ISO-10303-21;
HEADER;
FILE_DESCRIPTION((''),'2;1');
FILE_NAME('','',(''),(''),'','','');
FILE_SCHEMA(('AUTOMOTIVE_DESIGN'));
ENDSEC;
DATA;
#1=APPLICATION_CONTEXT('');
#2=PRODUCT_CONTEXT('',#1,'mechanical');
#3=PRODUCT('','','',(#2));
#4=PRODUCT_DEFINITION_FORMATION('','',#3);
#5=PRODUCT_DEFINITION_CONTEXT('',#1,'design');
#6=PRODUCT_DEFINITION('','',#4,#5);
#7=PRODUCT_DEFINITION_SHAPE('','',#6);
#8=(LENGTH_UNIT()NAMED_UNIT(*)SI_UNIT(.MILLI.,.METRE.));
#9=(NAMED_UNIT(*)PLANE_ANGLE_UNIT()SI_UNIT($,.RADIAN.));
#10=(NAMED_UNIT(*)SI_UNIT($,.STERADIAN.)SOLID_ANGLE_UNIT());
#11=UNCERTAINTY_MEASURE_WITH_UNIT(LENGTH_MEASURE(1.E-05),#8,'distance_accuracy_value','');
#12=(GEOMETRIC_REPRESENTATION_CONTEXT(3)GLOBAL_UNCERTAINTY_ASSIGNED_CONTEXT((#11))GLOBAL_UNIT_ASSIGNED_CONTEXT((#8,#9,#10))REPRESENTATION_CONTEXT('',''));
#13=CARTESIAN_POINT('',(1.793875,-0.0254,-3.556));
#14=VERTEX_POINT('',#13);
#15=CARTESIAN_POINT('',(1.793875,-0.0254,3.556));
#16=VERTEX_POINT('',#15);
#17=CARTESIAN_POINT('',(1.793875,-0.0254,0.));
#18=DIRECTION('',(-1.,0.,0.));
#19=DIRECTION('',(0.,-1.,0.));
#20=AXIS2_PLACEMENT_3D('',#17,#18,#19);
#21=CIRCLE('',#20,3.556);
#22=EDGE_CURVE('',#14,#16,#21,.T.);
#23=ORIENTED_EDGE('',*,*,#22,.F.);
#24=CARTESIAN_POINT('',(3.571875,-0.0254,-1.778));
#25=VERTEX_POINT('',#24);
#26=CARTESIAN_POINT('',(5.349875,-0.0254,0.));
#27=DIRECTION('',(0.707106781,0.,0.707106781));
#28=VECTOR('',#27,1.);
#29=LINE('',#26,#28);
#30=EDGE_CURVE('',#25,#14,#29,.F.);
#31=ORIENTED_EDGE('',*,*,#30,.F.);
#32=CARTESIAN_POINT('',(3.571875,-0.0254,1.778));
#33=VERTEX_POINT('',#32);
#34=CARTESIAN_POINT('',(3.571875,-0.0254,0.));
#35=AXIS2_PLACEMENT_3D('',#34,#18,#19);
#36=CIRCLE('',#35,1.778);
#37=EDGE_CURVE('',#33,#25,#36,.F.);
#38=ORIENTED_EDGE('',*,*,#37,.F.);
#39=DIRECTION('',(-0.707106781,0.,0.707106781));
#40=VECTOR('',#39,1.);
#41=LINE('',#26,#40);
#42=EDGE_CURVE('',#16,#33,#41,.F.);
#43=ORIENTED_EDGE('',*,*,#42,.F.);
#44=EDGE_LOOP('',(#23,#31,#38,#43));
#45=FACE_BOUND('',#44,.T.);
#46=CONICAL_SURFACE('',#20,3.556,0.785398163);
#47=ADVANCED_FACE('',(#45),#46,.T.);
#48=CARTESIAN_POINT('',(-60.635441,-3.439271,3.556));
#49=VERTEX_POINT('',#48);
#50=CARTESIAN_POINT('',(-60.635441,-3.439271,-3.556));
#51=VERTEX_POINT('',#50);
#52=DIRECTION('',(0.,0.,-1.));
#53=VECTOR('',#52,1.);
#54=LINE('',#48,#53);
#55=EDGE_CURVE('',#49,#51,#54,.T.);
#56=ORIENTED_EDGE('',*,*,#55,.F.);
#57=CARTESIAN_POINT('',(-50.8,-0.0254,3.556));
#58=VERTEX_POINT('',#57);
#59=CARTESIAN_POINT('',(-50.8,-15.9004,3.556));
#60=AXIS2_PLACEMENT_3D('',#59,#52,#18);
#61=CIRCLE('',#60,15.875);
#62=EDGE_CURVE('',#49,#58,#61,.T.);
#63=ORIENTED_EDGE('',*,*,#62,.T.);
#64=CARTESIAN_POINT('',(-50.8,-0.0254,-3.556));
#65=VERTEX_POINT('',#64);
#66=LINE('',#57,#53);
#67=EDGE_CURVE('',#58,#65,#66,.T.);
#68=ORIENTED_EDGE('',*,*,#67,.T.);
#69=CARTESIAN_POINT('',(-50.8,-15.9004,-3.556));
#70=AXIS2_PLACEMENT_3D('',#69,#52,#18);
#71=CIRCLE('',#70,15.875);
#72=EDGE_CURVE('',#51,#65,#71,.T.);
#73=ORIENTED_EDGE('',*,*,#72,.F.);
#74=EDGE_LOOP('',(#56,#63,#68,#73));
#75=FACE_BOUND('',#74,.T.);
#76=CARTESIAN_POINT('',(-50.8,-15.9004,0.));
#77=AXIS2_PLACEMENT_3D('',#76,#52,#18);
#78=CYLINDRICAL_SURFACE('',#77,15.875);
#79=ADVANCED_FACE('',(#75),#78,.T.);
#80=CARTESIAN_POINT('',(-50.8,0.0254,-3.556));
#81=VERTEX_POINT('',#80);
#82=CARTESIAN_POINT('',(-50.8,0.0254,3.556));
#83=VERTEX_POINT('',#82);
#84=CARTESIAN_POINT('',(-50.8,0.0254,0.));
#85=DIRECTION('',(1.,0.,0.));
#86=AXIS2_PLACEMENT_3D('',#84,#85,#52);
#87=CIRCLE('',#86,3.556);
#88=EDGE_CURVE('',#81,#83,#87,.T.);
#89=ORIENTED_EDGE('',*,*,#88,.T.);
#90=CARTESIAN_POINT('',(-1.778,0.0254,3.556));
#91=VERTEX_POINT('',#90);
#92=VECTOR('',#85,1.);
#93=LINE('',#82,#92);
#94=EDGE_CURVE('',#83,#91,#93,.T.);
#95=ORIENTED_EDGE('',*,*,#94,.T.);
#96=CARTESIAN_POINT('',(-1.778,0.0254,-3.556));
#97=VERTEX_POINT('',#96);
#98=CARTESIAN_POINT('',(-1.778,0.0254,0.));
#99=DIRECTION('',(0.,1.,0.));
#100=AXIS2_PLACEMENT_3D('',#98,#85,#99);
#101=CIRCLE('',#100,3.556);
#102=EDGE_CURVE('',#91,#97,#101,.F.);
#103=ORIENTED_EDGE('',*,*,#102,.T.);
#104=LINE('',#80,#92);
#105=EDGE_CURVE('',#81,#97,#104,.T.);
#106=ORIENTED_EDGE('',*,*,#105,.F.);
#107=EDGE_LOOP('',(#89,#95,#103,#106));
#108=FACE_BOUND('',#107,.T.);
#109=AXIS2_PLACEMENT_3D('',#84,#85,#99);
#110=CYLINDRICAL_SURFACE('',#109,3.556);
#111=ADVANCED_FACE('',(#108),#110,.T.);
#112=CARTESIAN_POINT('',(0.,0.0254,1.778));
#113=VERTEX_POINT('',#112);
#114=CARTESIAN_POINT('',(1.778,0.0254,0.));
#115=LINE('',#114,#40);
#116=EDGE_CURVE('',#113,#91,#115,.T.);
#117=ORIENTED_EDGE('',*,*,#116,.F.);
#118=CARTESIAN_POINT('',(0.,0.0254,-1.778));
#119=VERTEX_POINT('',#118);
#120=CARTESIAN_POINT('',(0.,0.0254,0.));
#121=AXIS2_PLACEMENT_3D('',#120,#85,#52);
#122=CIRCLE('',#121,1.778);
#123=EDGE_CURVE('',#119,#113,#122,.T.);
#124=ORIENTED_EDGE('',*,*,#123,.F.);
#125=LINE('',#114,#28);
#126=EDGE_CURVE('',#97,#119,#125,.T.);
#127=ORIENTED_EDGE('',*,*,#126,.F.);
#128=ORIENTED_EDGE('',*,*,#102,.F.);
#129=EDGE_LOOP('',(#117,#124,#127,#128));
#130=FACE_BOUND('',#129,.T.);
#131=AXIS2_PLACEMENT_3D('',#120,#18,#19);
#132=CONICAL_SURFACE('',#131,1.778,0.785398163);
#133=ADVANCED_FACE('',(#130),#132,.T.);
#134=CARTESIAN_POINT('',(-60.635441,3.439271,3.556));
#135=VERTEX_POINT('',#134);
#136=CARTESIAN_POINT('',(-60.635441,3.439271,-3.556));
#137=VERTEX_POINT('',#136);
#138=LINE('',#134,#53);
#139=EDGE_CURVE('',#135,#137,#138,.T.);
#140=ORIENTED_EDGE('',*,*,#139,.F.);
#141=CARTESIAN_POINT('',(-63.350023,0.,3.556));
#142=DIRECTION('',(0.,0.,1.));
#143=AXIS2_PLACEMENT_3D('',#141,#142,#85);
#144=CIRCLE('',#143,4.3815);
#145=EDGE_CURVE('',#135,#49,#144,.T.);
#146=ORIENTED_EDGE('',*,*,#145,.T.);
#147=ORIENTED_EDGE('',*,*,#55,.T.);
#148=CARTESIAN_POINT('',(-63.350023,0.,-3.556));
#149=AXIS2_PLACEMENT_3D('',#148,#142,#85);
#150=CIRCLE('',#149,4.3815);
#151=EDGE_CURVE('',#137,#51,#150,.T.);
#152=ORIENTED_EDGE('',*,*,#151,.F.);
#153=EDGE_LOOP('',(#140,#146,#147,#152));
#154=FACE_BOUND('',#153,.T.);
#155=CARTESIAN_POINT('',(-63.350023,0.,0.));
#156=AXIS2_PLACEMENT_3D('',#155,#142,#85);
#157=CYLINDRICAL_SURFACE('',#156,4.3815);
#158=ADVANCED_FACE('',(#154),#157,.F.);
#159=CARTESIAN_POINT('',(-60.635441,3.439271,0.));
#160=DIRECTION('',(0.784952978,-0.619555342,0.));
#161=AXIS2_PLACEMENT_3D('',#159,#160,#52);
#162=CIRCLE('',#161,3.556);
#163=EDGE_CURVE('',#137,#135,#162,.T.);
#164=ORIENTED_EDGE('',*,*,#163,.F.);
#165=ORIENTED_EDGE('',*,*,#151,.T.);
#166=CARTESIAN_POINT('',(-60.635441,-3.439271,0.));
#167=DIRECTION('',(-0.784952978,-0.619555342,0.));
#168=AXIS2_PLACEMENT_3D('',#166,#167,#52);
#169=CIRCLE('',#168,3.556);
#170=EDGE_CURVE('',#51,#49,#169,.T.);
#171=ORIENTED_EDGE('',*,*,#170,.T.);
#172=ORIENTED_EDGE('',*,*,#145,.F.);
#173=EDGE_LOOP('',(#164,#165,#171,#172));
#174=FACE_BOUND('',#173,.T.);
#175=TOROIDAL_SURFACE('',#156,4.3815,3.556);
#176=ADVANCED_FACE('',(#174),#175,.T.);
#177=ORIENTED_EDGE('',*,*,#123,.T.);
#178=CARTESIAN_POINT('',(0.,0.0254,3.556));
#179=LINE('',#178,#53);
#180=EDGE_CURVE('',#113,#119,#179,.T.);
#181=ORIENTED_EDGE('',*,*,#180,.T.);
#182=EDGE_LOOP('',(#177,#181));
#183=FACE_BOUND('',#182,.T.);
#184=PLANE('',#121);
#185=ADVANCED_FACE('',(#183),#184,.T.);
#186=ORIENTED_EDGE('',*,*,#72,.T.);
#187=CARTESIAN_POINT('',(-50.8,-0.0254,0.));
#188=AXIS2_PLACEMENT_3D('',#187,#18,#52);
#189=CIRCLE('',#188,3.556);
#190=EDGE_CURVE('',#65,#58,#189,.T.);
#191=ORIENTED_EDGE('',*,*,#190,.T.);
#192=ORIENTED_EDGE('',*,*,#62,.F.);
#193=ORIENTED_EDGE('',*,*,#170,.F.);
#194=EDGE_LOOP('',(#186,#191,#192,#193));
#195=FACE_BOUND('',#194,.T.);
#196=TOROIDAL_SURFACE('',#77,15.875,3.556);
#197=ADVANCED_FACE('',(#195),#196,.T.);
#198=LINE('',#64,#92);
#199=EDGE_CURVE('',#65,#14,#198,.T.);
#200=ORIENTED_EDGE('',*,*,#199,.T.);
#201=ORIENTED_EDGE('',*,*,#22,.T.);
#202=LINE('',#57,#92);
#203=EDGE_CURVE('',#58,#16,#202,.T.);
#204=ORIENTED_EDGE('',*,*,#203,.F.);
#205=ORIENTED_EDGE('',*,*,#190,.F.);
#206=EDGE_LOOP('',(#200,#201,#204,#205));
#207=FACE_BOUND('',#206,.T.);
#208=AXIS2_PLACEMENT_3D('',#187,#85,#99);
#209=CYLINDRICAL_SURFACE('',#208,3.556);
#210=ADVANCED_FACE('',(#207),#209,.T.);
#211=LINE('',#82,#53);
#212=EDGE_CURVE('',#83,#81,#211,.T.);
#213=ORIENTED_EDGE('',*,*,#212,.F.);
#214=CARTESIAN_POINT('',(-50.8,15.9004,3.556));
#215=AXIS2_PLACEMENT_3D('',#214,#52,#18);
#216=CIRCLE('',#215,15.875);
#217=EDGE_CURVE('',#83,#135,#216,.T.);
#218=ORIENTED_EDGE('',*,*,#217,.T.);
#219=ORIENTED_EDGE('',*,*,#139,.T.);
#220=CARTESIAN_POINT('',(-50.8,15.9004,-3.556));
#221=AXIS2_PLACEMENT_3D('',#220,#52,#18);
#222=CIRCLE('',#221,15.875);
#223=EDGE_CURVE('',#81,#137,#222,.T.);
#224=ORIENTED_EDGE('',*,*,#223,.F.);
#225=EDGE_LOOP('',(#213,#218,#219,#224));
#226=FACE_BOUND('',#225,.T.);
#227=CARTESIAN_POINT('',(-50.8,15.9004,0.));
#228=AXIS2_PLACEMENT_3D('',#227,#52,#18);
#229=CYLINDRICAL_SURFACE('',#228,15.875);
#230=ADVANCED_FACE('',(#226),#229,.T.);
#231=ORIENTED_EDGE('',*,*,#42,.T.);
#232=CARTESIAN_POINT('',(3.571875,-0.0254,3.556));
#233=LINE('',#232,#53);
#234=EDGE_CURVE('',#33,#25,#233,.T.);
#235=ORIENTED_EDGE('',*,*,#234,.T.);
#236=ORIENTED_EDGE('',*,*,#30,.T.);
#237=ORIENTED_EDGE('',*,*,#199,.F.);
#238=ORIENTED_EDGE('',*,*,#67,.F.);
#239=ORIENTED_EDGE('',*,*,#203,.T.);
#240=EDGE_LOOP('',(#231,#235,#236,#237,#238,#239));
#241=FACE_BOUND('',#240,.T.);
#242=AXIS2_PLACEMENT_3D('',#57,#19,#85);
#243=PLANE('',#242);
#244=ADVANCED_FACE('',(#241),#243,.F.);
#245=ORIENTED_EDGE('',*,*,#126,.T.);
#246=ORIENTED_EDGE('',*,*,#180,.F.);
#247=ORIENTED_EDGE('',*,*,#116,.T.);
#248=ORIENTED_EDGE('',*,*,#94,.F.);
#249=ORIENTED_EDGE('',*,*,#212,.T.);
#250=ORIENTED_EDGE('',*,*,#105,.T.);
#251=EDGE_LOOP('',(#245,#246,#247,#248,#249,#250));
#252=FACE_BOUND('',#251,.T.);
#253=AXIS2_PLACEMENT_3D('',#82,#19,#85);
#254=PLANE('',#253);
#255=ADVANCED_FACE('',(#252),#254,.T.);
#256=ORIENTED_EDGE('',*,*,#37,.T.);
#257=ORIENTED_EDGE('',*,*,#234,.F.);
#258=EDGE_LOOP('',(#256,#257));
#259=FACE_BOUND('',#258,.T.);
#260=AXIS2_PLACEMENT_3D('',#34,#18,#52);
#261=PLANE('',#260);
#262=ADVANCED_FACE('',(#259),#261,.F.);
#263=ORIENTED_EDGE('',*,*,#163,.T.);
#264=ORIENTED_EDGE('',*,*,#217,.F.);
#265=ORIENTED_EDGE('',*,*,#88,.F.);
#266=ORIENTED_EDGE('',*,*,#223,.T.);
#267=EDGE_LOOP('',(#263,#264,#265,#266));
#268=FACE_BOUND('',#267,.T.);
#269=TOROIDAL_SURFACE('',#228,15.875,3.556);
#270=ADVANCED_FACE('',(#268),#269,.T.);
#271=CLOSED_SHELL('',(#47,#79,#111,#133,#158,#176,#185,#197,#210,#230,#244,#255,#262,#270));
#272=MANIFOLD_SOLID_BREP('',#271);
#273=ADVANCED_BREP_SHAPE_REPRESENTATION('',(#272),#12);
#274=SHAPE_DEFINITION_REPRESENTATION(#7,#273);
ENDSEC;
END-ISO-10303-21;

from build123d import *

# Parameters (mm, degrees)
CHAMFER1_SIZE = 1.778


with BuildPart() as part:
    # Sweep1: sweep along a path in Sketch1
    with BuildLine(Plane.XY) as sweep1_path:
        Line((3.571875, -0.0254), (-50.8, -0.0254))
        ThreePointArc((-50.8, -0.0254), (-56.005535978, -0.90313291), (-60.63544106, -3.439271473))
        ThreePointArc((-60.63544106, -3.439271473), (-67.731522792, 0), (-60.63544106, 3.439271473))
        ThreePointArc((-60.63544106, 3.439271473), (-56.005535978, 0.90313291), (-50.8, 0.0254))
        Line((-50.8, 0.0254), (0, 0.0254))
    # Sketch2 → Sweep1 (sweep)
    with BuildSketch(Plane(origin=(0, 0, 0), x_dir=(0, 0, -1), z_dir=(1, 0, 0))):
        with BuildLine():
            Line((-3.556, 0.0254), (3.556, 0.0254))
            ThreePointArc((3.556, 0.0254), (0, 3.5814), (-3.556, 0.0254))
        make_face()
    sweep(path=sweep1_path.line)

    # Chamfer1
    chamfer1_edges = [part.edges().sort_by_distance(p)[0] for p in [
        (3.571875, -3.5814, 0),
        (0, 3.5814, 0),
    ]]
    chamfer(chamfer1_edges, length=CHAMFER1_SIZE)


solid = part.part
